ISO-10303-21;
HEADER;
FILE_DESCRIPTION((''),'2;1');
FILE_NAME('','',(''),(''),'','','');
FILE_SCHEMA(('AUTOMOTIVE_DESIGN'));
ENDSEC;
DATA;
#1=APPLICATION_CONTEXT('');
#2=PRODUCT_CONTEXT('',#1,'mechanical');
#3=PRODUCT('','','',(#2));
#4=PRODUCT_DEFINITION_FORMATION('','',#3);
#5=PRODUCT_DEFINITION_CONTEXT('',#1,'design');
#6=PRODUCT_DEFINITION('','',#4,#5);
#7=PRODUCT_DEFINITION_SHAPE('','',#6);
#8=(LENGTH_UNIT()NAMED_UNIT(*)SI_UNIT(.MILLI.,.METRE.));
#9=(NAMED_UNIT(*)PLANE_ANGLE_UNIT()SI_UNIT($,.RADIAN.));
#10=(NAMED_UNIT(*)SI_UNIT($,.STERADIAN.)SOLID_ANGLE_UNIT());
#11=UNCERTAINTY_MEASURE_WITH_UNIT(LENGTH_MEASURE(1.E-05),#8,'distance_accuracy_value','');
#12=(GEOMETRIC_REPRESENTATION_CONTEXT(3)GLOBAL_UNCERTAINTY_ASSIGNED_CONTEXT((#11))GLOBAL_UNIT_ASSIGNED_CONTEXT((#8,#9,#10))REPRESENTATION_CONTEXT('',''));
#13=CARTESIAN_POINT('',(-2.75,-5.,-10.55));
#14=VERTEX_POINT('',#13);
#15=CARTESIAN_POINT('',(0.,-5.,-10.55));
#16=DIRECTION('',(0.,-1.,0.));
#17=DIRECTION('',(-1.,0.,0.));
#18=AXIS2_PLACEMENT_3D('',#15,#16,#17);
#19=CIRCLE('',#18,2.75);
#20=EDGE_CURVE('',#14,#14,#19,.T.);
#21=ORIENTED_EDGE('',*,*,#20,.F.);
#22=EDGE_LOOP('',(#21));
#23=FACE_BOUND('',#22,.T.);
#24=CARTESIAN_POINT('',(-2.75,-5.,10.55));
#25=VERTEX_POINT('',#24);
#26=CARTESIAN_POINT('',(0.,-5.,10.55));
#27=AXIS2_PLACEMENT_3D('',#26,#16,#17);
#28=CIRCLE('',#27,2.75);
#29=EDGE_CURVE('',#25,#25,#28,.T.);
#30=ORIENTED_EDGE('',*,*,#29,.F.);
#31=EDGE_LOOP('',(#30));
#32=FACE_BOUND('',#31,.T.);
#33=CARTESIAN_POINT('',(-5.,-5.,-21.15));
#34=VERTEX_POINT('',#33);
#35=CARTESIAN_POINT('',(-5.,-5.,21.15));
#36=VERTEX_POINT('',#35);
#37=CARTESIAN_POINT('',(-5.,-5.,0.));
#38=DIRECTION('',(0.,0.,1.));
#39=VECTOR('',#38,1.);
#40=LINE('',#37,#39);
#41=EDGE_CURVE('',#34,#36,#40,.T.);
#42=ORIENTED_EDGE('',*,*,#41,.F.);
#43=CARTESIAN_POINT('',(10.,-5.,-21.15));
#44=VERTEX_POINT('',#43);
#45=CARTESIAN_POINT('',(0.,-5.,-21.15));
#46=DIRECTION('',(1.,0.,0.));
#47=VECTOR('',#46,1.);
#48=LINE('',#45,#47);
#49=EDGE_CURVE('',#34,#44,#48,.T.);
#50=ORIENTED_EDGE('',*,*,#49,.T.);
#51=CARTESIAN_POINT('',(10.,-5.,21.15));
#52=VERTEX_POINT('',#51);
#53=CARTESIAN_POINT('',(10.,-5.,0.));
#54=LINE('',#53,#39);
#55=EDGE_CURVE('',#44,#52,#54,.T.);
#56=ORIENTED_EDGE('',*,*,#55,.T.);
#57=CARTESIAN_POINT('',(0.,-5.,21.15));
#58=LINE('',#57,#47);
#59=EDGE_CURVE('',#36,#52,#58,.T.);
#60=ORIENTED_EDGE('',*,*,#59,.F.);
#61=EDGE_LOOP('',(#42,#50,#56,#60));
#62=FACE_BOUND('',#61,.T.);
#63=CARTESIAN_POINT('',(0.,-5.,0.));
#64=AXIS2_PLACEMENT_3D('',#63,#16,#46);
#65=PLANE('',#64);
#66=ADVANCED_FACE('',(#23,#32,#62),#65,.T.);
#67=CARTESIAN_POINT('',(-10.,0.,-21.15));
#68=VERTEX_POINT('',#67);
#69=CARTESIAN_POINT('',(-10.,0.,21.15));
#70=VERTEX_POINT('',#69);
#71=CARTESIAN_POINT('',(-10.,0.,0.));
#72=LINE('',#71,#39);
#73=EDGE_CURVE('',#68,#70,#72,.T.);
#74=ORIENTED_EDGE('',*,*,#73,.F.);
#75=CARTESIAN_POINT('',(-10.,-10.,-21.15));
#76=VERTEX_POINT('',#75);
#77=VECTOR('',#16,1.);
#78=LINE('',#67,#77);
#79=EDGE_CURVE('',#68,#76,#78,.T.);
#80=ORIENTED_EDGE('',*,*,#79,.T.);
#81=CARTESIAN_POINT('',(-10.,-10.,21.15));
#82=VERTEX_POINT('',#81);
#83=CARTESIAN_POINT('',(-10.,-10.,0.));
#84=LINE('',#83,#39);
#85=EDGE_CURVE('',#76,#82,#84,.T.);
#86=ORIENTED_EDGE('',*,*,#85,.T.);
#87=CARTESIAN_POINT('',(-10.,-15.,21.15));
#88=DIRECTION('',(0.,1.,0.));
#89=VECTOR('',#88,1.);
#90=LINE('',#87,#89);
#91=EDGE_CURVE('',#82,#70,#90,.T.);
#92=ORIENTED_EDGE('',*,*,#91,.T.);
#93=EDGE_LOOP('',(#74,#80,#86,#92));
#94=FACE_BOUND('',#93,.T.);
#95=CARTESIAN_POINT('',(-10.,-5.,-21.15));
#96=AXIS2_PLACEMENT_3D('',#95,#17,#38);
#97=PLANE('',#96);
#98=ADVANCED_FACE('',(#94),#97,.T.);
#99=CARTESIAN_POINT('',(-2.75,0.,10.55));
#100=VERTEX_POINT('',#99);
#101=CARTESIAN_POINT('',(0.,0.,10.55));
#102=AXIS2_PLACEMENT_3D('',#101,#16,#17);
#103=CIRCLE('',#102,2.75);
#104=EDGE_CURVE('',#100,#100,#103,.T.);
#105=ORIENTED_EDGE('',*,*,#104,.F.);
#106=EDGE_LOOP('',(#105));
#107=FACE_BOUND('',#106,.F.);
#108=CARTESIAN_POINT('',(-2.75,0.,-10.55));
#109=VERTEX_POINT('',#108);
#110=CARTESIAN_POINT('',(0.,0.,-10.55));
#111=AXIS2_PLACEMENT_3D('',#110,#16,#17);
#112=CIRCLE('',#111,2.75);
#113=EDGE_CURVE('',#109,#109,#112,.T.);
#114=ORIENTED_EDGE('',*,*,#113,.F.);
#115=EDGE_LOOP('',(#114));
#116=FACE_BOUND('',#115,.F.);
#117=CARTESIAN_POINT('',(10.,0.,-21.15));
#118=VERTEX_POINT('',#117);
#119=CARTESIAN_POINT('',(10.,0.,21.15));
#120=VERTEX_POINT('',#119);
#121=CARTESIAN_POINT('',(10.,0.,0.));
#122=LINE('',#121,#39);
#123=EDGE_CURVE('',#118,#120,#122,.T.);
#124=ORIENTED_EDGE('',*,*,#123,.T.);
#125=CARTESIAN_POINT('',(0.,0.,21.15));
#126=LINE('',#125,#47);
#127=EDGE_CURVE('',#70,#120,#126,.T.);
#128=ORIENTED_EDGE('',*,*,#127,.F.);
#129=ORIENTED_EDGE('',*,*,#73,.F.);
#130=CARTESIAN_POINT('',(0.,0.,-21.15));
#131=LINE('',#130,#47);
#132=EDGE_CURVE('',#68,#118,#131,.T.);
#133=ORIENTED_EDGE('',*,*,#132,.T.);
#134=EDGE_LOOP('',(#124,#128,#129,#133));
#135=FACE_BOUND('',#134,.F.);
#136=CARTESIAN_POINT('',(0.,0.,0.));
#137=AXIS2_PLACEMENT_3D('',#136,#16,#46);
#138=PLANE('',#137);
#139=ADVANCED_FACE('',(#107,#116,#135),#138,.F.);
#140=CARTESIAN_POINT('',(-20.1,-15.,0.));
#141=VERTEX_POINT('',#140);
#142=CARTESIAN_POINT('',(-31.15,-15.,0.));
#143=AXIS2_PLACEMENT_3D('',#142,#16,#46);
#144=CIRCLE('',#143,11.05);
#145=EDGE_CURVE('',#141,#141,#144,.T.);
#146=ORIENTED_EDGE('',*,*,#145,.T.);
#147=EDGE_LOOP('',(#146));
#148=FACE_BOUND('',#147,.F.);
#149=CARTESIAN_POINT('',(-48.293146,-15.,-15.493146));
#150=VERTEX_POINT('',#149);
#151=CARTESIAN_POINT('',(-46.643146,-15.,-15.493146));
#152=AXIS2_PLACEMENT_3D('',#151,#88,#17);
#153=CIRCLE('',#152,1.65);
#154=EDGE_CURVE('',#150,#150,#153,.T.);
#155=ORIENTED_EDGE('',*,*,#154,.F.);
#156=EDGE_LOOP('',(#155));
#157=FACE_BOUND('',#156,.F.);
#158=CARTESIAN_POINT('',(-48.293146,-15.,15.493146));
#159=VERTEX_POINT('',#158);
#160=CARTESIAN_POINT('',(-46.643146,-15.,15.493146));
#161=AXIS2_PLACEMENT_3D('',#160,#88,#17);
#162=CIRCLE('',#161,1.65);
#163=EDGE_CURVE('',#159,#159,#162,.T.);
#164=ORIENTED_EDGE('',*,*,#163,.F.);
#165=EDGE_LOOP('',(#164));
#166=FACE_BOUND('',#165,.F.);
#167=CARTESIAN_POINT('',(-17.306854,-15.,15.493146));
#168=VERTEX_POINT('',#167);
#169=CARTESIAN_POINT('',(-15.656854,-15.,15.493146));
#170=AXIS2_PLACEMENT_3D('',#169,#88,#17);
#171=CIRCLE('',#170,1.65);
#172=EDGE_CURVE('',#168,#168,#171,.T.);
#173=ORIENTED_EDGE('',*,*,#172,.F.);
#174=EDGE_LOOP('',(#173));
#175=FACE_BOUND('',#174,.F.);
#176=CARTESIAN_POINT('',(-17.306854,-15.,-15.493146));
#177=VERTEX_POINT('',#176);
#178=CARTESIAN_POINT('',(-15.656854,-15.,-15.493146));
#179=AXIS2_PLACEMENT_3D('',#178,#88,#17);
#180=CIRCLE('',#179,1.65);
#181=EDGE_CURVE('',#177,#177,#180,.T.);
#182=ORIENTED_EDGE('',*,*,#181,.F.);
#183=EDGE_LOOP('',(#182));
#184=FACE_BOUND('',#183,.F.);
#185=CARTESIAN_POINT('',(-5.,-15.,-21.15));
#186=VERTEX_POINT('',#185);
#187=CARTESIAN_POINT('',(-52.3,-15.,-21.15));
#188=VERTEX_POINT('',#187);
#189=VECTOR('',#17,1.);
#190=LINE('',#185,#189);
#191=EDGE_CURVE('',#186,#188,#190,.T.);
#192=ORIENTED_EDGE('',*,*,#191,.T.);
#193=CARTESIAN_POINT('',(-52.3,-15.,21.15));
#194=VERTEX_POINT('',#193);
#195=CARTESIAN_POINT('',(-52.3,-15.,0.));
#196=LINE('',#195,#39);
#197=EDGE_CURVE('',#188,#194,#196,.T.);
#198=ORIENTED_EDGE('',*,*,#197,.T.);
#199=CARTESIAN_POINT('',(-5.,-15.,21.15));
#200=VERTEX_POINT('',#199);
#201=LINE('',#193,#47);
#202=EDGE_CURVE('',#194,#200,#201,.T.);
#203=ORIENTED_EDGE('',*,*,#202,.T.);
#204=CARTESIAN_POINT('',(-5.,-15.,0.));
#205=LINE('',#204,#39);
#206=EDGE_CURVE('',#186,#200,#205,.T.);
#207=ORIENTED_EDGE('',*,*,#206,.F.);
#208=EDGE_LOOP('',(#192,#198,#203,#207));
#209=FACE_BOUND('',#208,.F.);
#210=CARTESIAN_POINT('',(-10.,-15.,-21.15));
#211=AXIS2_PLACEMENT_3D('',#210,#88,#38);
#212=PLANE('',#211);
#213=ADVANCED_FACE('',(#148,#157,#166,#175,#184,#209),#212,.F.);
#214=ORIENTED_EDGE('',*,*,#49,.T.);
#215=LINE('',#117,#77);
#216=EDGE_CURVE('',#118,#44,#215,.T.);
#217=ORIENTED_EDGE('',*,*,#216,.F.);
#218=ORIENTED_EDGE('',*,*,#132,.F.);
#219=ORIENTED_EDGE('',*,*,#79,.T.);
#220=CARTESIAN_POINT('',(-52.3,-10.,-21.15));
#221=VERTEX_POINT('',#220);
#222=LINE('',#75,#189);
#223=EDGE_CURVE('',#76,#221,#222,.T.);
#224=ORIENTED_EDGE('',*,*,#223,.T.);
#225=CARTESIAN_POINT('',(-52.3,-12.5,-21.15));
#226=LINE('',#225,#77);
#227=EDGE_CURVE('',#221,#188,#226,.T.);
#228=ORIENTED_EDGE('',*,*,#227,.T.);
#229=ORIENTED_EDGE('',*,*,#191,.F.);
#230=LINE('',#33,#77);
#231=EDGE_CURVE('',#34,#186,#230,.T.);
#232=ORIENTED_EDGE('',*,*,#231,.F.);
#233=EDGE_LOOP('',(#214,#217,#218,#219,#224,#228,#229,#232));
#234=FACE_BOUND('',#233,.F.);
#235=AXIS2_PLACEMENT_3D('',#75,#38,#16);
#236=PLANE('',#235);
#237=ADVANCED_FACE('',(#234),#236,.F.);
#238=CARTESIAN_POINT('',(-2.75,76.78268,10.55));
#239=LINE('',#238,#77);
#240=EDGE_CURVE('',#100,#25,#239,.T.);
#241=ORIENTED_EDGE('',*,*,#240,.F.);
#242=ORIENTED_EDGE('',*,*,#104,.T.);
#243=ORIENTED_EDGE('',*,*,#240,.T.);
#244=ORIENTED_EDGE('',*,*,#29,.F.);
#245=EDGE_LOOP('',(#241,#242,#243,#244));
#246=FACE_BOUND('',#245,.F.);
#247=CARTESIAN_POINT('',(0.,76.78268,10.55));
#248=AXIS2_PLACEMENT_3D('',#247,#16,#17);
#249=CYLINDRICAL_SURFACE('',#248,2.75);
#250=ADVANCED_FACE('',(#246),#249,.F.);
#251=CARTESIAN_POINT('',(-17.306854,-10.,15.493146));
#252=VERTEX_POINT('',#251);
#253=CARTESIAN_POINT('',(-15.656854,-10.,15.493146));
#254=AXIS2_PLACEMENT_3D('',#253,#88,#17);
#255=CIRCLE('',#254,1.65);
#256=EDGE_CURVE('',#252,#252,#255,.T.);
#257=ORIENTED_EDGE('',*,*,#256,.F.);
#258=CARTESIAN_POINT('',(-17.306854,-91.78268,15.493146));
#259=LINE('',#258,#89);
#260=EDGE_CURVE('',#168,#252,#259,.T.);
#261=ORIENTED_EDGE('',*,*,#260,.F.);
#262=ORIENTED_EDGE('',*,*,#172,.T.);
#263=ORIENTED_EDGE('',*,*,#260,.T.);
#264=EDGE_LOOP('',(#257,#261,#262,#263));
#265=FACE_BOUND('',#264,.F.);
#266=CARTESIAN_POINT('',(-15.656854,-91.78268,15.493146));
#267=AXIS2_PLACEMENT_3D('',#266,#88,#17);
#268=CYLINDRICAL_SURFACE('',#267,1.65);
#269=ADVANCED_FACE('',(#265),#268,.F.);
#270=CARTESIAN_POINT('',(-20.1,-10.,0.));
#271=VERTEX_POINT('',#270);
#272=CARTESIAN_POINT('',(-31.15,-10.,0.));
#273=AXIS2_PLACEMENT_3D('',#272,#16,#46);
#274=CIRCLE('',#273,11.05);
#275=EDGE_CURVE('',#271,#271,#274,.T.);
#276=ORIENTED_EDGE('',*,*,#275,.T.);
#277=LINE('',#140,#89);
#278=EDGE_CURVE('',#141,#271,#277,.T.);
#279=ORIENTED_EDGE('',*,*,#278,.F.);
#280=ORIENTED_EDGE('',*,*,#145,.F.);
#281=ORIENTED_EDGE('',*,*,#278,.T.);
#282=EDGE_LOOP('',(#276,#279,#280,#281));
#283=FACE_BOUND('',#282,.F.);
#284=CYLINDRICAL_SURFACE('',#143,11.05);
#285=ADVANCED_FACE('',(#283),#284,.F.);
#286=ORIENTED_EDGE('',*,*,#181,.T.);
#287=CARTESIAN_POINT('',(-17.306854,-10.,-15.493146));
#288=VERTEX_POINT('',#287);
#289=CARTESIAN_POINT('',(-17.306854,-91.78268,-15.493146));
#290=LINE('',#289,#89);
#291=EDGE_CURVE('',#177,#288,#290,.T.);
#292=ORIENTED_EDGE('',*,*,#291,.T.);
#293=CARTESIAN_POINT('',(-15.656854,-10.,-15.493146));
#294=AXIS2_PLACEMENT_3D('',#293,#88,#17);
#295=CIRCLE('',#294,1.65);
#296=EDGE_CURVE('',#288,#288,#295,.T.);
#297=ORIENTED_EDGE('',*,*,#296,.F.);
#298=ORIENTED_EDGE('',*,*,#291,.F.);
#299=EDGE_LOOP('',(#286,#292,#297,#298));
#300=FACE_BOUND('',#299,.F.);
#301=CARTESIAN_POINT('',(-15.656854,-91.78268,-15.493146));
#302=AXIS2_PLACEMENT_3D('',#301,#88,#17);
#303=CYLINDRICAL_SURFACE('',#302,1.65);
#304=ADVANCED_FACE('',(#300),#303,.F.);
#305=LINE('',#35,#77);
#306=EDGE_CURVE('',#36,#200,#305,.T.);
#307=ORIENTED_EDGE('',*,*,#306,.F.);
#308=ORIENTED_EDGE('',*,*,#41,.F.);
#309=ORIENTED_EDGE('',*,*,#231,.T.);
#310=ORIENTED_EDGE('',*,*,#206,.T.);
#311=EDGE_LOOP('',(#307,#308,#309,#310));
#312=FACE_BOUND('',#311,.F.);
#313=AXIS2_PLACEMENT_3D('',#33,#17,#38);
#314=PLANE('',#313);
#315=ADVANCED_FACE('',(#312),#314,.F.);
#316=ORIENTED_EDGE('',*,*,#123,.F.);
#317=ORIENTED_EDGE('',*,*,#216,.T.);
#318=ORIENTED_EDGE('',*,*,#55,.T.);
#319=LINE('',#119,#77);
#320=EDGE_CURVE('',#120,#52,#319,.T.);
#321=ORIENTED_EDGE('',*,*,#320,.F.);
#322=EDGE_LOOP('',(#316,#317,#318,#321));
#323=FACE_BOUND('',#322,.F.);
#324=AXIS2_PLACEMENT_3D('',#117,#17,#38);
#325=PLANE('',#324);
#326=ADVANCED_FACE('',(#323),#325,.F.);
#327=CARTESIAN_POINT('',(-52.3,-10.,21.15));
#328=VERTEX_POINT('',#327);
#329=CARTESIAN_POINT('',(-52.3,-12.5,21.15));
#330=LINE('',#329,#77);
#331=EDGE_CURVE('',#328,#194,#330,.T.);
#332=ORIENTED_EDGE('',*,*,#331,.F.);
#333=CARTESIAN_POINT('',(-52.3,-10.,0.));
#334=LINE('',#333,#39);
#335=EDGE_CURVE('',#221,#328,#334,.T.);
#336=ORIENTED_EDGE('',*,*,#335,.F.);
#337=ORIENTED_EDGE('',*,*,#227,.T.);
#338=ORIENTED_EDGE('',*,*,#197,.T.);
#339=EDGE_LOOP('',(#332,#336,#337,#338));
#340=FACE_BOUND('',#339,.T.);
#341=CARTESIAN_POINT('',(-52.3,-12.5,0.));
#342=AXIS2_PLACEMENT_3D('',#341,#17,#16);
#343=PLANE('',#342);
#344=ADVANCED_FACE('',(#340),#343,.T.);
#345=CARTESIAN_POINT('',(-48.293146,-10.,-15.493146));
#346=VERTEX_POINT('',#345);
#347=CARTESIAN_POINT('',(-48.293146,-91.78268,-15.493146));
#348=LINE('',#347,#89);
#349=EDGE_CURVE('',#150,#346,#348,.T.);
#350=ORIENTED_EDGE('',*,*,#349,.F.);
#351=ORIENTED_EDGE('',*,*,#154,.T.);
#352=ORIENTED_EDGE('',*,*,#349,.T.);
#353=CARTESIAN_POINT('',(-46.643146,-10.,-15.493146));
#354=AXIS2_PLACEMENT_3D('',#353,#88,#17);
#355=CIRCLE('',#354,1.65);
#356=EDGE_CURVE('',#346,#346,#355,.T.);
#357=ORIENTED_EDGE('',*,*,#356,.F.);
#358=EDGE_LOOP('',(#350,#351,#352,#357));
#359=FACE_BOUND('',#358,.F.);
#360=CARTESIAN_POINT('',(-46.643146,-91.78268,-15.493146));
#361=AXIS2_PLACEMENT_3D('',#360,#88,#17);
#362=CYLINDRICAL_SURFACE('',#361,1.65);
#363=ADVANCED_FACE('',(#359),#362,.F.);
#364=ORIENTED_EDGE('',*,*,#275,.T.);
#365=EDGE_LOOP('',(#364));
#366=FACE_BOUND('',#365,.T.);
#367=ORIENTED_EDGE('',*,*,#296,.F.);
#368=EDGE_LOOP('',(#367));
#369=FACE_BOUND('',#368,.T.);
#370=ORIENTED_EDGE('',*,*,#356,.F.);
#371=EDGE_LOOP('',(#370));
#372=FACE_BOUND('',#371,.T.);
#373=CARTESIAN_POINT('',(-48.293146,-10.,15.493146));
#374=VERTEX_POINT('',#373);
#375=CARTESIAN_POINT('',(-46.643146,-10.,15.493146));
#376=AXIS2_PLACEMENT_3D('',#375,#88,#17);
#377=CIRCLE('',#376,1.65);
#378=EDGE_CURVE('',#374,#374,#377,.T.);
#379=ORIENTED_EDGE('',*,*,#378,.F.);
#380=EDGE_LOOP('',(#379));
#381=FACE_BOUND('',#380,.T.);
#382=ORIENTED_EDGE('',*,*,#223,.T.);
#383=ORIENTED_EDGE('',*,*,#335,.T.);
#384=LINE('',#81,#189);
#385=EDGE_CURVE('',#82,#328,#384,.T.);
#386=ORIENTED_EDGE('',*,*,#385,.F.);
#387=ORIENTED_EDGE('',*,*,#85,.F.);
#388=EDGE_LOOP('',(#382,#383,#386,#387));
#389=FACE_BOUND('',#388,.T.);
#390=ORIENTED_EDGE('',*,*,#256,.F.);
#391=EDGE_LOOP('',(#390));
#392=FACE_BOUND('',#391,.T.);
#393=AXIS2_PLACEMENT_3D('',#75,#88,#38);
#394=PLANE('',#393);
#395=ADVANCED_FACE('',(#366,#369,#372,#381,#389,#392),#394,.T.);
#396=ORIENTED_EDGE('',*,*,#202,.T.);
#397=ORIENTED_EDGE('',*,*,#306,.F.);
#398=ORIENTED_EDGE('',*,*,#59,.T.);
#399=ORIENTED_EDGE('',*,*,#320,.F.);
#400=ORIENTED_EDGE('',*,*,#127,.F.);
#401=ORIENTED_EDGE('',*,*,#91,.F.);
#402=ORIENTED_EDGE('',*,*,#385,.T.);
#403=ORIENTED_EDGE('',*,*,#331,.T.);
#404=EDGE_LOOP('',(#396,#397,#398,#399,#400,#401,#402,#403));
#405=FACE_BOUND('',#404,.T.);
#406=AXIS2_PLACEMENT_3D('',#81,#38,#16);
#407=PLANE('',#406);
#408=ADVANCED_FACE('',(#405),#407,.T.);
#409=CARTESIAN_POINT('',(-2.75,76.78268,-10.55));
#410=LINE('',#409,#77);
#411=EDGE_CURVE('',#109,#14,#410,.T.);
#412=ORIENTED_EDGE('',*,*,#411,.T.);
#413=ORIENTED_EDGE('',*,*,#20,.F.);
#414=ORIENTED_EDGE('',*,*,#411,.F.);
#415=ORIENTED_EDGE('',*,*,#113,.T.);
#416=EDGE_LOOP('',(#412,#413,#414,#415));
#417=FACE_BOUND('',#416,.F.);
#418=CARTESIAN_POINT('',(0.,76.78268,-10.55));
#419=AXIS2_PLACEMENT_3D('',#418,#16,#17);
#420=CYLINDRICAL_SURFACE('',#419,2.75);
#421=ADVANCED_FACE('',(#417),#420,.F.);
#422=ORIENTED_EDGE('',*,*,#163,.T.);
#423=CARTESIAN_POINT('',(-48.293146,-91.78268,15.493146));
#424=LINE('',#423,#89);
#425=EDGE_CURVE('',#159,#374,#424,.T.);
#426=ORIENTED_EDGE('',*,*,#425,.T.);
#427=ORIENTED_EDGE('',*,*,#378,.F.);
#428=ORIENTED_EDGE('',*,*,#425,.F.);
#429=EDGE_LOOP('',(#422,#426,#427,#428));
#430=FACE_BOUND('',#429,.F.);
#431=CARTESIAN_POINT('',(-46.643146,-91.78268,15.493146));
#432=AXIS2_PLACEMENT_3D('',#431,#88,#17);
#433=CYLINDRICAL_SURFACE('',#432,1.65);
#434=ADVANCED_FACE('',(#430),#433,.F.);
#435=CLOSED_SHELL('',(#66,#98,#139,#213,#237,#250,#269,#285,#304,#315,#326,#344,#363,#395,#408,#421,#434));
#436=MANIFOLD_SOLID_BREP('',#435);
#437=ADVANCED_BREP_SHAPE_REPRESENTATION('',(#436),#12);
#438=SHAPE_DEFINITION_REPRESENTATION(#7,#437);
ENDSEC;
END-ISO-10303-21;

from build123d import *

# Parameters (mm, degrees)
F0_W     = 20
F0_H     = 42.3
F1_DEPTH = 5
F2_W     = 5
F2_H     = 42.3
F3_DEPTH = 10
F4_W     = 5
F4_H     = 42.3
F5_DEPTH = 42.3
F6_R     = 11.05
F7_DEPTH = 5.1
F8_D     = 3.3
F9_D     = 5.5


with BuildPart() as f1:
    # F0 (on Front) → F1 (new body)
    with BuildSketch(Plane.XZ):
        Rectangle(F0_W, F0_H)
    extrude(amount=F1_DEPTH)

    # F2 (on face) → F3 (join)
    with BuildSketch(Plane.XZ.offset(5)):
        with Locations((-7.5, 0)):
            Rectangle(F2_W, F2_H)
    extrude(amount=F3_DEPTH)

    # F4 (on face) → F5 (join)
    with BuildSketch(Plane(origin=(-10, 0, 0), x_dir=(0, -1, 0), z_dir=(-1, 0, 0))):
        with Locations((12.5, 0)):
            Rectangle(F4_W, F4_H)
    extrude(amount=F5_DEPTH)

    # F6 (on face) → F7 (cut)
    with BuildSketch(Plane.XZ.offset(15)):
        with Locations((-31.15, 0)):
            Circle(F6_R)
    extrude(amount=-F7_DEPTH, mode=Mode.SUBTRACT)

    # F8 (through all)
    with Locations(Plane.XZ.offset(15)):
        with Locations((-46.6431457505, 15.4931457505), (-15.6568542495, 15.4931457505), (-15.6568542495, -15.4931457505), (-46.6431457505, -15.4931457505)):
            Hole(F8_D / 2)

    # F9 (through all)
    with Locations(Plane(origin=(0, 0, 0), x_dir=(1, 0, 0), z_dir=(0, 1, 0))):
        with Locations((0, -10.55), (0, 10.55)):
            Hole(F9_D / 2)


solid = f1.part
